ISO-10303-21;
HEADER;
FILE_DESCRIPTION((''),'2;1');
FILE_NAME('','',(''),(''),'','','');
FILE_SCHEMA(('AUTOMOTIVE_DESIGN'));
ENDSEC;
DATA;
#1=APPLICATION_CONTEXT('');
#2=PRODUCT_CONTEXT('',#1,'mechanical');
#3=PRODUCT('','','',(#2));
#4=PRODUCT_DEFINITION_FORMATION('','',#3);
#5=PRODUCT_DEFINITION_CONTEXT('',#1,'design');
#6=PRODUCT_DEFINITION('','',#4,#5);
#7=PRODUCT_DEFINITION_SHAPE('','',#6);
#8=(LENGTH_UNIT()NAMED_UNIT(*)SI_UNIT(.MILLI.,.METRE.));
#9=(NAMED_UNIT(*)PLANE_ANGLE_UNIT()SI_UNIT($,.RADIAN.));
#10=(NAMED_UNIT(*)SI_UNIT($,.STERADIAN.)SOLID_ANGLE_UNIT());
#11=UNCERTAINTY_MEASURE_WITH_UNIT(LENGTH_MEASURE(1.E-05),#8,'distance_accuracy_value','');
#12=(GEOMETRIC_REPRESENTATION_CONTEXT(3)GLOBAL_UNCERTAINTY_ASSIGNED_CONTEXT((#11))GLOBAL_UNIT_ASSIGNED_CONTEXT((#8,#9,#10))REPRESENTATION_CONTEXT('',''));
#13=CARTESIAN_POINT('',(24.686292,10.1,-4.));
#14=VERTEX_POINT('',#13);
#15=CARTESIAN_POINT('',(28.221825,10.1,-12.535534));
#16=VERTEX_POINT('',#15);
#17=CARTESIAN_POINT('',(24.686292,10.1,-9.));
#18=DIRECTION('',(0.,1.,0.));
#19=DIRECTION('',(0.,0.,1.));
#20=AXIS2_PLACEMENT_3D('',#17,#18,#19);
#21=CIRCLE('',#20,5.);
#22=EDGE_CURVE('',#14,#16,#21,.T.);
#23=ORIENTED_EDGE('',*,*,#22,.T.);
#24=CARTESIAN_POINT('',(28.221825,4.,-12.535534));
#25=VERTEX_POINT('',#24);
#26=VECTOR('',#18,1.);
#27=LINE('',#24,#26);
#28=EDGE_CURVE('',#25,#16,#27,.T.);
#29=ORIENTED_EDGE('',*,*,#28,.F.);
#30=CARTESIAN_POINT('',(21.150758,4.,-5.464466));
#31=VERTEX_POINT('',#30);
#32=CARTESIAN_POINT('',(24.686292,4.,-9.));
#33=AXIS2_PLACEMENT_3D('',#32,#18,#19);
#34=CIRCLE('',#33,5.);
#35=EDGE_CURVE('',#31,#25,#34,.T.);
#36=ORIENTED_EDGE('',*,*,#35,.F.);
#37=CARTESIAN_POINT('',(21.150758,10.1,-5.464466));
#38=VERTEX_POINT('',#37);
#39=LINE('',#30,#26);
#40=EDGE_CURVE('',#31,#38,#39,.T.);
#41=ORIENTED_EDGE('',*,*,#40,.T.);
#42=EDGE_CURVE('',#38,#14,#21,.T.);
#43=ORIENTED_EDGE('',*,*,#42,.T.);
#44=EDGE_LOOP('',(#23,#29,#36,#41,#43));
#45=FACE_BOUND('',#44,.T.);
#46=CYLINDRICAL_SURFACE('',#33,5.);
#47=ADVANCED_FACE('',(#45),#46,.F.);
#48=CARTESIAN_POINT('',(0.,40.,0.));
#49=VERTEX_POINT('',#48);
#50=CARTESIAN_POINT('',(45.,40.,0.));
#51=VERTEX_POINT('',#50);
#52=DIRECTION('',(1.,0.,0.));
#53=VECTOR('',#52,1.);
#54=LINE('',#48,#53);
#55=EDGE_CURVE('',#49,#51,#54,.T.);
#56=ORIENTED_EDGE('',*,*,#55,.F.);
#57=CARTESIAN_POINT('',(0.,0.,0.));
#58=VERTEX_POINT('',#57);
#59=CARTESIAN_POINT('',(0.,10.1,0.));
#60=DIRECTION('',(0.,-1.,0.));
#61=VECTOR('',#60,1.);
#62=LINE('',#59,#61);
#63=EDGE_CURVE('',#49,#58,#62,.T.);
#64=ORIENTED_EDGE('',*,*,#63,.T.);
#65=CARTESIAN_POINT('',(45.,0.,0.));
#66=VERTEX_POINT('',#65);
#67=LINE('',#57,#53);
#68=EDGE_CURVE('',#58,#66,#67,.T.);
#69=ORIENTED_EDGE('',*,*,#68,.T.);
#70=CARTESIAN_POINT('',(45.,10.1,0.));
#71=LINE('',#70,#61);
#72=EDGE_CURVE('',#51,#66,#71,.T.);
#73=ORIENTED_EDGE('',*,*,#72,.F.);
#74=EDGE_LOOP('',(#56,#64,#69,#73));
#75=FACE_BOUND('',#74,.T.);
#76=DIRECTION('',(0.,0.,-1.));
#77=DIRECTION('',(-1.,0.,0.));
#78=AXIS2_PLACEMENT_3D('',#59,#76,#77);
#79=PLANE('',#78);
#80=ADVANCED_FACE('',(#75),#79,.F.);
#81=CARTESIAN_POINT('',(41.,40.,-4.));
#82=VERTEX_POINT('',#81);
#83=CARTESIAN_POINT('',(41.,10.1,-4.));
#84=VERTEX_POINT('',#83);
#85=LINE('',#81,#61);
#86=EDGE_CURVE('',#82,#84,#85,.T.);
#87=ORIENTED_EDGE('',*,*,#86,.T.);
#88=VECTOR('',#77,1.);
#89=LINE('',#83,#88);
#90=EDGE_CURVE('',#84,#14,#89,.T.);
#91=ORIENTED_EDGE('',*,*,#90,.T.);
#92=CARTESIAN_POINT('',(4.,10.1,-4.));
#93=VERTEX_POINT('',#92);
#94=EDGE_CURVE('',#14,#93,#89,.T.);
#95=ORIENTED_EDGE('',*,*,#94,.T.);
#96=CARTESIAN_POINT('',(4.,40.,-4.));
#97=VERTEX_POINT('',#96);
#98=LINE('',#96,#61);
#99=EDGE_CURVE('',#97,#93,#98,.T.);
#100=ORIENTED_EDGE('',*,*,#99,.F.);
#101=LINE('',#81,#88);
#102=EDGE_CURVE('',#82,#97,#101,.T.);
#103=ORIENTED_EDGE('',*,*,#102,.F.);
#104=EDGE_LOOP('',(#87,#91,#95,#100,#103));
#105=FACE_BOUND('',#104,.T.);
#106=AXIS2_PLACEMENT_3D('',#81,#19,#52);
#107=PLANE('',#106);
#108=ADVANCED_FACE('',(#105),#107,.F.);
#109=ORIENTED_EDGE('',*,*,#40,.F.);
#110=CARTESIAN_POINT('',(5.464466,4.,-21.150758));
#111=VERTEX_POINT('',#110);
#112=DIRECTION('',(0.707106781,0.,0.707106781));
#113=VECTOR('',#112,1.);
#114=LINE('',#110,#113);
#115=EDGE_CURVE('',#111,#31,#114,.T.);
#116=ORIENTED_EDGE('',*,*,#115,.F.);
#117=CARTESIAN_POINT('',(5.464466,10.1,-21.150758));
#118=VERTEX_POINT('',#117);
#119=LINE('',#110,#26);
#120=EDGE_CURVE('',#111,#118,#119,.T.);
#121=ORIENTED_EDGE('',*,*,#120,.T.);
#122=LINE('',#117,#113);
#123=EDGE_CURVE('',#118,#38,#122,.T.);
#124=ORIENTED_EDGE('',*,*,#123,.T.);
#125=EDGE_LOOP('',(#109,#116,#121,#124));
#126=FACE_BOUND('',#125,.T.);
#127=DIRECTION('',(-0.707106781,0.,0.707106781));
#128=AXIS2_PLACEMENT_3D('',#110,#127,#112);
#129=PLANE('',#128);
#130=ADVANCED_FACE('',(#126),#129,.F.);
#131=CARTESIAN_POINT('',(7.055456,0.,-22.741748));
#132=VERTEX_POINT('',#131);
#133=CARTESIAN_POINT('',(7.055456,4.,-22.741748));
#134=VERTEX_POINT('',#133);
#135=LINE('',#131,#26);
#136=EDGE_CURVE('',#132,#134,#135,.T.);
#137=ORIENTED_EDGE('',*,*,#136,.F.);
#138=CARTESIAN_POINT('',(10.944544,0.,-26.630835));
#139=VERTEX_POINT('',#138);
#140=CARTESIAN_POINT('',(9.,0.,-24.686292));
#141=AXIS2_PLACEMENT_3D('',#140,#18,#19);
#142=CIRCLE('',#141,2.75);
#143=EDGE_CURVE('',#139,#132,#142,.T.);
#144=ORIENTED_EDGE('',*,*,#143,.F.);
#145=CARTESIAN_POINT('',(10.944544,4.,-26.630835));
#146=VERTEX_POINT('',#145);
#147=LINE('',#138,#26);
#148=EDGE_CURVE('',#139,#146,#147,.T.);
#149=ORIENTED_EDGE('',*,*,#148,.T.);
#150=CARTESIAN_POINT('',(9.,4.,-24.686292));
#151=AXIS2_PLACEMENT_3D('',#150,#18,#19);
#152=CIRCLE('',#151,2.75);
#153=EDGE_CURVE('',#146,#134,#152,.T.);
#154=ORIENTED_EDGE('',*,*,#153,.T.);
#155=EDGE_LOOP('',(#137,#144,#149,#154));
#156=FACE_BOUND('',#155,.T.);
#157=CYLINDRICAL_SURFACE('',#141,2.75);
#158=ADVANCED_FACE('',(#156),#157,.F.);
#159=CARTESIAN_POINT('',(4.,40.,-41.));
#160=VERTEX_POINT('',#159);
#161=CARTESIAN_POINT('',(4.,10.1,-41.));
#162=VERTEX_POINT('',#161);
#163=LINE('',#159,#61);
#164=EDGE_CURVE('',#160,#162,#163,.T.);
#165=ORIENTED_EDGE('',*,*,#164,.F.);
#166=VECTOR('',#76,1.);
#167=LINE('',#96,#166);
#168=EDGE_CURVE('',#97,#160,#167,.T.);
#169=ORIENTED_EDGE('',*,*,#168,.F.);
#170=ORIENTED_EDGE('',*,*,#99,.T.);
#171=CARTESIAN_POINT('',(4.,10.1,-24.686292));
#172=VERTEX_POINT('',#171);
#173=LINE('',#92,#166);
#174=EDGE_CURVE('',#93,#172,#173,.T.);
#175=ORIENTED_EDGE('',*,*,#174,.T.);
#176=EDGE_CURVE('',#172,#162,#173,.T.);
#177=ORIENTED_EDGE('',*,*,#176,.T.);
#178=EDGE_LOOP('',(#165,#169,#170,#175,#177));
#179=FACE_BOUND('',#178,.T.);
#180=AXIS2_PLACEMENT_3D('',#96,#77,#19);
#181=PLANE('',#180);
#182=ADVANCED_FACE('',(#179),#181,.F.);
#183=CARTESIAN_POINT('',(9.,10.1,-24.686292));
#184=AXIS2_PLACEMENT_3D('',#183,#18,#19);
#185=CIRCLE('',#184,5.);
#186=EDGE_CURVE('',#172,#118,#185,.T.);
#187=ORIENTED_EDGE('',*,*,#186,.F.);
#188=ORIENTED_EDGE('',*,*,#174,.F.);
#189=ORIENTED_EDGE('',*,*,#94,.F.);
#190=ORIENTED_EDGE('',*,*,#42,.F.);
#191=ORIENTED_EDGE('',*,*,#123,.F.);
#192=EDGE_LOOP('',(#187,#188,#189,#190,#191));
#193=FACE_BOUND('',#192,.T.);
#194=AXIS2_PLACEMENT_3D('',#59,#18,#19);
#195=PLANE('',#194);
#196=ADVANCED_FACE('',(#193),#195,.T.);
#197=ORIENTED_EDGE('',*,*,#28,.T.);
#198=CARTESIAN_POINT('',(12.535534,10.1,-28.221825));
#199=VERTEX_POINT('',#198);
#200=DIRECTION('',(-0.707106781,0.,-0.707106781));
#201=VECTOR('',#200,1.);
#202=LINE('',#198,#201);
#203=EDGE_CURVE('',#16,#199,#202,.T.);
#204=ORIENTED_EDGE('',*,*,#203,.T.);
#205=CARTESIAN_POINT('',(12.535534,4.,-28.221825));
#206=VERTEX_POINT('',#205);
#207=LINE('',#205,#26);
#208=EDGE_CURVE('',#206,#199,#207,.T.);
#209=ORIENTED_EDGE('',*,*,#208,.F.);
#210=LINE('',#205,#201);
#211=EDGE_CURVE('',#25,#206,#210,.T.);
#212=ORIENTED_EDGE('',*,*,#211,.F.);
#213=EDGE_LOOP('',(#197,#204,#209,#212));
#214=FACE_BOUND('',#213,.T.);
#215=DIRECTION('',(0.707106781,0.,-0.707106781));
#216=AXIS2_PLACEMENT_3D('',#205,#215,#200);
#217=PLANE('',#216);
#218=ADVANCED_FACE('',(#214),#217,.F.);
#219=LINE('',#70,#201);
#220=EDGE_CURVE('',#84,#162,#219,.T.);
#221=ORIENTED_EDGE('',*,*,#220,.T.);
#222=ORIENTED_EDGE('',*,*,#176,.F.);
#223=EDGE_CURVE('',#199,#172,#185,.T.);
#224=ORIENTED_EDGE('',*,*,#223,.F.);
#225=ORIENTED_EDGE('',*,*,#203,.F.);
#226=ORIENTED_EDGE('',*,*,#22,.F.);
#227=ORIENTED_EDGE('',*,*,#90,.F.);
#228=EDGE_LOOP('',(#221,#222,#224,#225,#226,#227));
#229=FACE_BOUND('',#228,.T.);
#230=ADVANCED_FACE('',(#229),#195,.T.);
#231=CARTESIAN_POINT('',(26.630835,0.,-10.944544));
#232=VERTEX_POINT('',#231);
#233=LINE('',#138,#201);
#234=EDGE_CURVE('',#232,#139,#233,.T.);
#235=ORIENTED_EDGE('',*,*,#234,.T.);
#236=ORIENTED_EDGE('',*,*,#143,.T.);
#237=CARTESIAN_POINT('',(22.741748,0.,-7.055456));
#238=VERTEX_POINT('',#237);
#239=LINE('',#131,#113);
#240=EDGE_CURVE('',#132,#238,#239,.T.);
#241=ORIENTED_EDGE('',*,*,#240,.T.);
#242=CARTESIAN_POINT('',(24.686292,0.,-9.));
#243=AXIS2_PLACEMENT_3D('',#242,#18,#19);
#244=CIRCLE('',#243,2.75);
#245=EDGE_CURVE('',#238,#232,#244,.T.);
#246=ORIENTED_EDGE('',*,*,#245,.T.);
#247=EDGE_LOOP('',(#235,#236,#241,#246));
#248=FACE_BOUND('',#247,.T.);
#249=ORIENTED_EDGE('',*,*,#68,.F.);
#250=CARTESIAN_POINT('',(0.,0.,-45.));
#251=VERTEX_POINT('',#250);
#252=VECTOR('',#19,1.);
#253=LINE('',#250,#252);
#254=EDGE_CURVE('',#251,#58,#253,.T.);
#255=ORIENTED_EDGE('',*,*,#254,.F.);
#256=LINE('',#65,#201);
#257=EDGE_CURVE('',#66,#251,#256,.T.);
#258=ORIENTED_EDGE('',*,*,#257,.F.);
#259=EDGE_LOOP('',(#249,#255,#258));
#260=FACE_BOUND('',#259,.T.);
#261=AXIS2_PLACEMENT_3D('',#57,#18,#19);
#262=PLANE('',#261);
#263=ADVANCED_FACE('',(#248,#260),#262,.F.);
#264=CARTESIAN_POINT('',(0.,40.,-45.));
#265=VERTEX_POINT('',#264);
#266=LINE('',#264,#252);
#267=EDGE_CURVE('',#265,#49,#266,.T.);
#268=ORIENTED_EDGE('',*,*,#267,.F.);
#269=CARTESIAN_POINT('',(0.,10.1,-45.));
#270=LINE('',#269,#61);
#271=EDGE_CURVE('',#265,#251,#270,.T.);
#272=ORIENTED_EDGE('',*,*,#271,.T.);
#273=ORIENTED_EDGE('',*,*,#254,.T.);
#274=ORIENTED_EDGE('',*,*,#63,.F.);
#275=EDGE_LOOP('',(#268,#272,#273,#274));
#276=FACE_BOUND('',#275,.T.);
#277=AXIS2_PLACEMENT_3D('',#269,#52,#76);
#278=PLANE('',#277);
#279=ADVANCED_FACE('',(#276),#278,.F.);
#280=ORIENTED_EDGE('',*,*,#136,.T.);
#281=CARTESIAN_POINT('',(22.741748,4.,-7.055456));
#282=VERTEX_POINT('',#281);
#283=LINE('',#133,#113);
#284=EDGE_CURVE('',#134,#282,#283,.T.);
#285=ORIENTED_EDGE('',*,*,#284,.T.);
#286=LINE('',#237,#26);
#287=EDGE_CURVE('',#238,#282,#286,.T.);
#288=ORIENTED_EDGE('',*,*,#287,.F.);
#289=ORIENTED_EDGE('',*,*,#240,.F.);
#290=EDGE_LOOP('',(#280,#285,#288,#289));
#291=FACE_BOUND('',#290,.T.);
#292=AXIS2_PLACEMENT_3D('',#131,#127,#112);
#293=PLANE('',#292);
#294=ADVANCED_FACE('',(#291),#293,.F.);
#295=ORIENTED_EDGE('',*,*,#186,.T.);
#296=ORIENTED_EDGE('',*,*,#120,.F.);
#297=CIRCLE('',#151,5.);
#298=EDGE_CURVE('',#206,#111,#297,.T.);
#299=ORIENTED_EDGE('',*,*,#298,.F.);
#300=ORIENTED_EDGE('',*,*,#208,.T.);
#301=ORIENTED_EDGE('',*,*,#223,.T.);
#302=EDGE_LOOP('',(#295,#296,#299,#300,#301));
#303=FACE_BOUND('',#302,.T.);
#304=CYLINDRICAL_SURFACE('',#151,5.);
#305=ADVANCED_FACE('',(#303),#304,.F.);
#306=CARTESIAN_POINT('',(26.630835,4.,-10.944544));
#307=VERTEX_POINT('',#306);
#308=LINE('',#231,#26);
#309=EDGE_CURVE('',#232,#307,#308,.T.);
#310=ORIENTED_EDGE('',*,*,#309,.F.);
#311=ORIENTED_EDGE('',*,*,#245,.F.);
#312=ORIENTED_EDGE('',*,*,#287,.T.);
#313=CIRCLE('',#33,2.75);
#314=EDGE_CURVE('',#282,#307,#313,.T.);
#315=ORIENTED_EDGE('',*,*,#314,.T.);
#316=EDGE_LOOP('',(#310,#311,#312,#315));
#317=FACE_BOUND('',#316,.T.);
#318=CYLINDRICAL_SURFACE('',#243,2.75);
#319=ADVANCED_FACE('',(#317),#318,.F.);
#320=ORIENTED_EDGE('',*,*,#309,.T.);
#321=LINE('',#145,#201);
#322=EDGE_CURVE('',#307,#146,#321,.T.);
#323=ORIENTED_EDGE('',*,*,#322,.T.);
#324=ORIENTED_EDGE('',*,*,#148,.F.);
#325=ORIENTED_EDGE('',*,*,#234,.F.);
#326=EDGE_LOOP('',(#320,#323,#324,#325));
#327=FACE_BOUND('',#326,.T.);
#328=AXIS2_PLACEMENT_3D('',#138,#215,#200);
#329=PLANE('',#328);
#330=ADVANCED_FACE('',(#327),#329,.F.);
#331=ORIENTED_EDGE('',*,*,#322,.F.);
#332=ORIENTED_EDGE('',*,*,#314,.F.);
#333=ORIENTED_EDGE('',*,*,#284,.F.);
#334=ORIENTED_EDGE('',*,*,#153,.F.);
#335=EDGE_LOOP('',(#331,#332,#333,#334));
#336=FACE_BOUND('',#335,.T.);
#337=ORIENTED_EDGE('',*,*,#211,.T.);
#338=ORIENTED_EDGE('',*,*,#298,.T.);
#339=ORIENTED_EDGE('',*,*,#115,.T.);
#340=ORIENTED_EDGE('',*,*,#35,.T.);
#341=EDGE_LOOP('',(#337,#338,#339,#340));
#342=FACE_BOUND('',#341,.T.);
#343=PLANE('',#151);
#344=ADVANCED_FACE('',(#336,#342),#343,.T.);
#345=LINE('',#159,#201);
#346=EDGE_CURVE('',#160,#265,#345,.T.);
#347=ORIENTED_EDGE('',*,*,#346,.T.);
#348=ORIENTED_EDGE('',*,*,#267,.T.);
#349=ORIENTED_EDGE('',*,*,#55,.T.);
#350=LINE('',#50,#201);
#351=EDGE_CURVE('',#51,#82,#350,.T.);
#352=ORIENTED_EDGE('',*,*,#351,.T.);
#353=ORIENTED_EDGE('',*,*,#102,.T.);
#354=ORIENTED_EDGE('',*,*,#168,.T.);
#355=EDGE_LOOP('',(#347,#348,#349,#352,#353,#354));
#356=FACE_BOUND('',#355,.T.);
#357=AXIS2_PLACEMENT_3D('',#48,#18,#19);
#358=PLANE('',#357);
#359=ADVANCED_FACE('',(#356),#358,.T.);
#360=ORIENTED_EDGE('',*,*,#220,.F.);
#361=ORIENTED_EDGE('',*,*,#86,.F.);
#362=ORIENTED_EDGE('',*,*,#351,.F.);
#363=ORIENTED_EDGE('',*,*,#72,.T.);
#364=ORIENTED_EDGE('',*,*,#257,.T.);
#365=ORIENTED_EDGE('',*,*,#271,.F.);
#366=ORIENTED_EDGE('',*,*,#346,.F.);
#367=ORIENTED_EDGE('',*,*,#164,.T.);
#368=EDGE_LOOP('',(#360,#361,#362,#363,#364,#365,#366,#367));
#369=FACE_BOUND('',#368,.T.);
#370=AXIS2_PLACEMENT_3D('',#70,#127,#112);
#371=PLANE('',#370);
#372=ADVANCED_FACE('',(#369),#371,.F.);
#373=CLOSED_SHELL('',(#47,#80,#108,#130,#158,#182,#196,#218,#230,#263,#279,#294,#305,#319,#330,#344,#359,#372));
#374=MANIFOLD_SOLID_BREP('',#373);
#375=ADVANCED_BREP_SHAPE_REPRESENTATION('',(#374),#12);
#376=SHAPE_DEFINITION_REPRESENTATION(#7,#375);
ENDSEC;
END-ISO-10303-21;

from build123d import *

# Parameters (mm, degrees)
BOSS_EXTRUDE1_DEPTH = 10.1
BOSS_EXTRUDE2_DEPTH = 29.9
CUT_EXTRUDE1_DEPTH  = 6.1
CUT_EXTRUDE2_DEPTH  = 71.313654435


with BuildPart() as part:
    # Sketch1 → Boss-Extrude1 (new body)
    with BuildSketch(Plane(origin=(0, 0, 0), x_dir=(1, 0, 0), z_dir=(0, 1, 0))):
        Polygon((0, 0), (45, 0), (0, 45), align=None)
    extrude(amount=BOSS_EXTRUDE1_DEPTH)

    # Sketch2 → Boss-Extrude2 (add)
    with BuildSketch(Plane(origin=(0, 10.1, 0), x_dir=(1, 0, 0), z_dir=(0, 1, 0))):
        Polygon((0, 0), (45, 0), (41, 4), (4, 4), (4, 41), (0, 45), align=None)
    extrude(amount=BOSS_EXTRUDE2_DEPTH)

    # Sketch3 → Cut-Extrude1 (cut)
    with BuildSketch(Plane(origin=(0, 10.1, 0), x_dir=(1, 0, 0), z_dir=(0, 1, 0))):
        with BuildLine():
            Line((12.535533906, 28.221825407), (28.221825407, 12.535533906))
            ThreePointArc((28.221825407, 12.535533906), (28.221825407, 5.464466094), (21.150757595, 5.464466094))
            Line((21.150757595, 5.464466094), (5.464466094, 21.150757595))
            ThreePointArc((5.464466094, 21.150757595), (5.464466094, 28.221825407), (12.535533906, 28.221825407))
        make_face()
    extrude(amount=-CUT_EXTRUDE1_DEPTH, mode=Mode.SUBTRACT)

    # Sketch5 → Cut-Extrude2 (cut, through all)
    with BuildSketch(Plane(origin=(0, 10.1, 0), x_dir=(1, 0, 0), z_dir=(0, 1, 0))):
        with BuildLine():
            Line((10.944543648, 26.630835149), (26.630835149, 10.944543648))
            ThreePointArc((26.630835149, 10.944543648), (26.630835149, 7.055456352), (22.741747853, 7.055456352))
            Line((22.741747853, 7.055456352), (7.055456352, 22.741747853))
            ThreePointArc((7.055456352, 22.741747853), (7.055456352, 26.630835149), (10.944543648, 26.630835149))
        make_face()
    extrude(amount=-CUT_EXTRUDE2_DEPTH, mode=Mode.SUBTRACT)


solid = part.part
